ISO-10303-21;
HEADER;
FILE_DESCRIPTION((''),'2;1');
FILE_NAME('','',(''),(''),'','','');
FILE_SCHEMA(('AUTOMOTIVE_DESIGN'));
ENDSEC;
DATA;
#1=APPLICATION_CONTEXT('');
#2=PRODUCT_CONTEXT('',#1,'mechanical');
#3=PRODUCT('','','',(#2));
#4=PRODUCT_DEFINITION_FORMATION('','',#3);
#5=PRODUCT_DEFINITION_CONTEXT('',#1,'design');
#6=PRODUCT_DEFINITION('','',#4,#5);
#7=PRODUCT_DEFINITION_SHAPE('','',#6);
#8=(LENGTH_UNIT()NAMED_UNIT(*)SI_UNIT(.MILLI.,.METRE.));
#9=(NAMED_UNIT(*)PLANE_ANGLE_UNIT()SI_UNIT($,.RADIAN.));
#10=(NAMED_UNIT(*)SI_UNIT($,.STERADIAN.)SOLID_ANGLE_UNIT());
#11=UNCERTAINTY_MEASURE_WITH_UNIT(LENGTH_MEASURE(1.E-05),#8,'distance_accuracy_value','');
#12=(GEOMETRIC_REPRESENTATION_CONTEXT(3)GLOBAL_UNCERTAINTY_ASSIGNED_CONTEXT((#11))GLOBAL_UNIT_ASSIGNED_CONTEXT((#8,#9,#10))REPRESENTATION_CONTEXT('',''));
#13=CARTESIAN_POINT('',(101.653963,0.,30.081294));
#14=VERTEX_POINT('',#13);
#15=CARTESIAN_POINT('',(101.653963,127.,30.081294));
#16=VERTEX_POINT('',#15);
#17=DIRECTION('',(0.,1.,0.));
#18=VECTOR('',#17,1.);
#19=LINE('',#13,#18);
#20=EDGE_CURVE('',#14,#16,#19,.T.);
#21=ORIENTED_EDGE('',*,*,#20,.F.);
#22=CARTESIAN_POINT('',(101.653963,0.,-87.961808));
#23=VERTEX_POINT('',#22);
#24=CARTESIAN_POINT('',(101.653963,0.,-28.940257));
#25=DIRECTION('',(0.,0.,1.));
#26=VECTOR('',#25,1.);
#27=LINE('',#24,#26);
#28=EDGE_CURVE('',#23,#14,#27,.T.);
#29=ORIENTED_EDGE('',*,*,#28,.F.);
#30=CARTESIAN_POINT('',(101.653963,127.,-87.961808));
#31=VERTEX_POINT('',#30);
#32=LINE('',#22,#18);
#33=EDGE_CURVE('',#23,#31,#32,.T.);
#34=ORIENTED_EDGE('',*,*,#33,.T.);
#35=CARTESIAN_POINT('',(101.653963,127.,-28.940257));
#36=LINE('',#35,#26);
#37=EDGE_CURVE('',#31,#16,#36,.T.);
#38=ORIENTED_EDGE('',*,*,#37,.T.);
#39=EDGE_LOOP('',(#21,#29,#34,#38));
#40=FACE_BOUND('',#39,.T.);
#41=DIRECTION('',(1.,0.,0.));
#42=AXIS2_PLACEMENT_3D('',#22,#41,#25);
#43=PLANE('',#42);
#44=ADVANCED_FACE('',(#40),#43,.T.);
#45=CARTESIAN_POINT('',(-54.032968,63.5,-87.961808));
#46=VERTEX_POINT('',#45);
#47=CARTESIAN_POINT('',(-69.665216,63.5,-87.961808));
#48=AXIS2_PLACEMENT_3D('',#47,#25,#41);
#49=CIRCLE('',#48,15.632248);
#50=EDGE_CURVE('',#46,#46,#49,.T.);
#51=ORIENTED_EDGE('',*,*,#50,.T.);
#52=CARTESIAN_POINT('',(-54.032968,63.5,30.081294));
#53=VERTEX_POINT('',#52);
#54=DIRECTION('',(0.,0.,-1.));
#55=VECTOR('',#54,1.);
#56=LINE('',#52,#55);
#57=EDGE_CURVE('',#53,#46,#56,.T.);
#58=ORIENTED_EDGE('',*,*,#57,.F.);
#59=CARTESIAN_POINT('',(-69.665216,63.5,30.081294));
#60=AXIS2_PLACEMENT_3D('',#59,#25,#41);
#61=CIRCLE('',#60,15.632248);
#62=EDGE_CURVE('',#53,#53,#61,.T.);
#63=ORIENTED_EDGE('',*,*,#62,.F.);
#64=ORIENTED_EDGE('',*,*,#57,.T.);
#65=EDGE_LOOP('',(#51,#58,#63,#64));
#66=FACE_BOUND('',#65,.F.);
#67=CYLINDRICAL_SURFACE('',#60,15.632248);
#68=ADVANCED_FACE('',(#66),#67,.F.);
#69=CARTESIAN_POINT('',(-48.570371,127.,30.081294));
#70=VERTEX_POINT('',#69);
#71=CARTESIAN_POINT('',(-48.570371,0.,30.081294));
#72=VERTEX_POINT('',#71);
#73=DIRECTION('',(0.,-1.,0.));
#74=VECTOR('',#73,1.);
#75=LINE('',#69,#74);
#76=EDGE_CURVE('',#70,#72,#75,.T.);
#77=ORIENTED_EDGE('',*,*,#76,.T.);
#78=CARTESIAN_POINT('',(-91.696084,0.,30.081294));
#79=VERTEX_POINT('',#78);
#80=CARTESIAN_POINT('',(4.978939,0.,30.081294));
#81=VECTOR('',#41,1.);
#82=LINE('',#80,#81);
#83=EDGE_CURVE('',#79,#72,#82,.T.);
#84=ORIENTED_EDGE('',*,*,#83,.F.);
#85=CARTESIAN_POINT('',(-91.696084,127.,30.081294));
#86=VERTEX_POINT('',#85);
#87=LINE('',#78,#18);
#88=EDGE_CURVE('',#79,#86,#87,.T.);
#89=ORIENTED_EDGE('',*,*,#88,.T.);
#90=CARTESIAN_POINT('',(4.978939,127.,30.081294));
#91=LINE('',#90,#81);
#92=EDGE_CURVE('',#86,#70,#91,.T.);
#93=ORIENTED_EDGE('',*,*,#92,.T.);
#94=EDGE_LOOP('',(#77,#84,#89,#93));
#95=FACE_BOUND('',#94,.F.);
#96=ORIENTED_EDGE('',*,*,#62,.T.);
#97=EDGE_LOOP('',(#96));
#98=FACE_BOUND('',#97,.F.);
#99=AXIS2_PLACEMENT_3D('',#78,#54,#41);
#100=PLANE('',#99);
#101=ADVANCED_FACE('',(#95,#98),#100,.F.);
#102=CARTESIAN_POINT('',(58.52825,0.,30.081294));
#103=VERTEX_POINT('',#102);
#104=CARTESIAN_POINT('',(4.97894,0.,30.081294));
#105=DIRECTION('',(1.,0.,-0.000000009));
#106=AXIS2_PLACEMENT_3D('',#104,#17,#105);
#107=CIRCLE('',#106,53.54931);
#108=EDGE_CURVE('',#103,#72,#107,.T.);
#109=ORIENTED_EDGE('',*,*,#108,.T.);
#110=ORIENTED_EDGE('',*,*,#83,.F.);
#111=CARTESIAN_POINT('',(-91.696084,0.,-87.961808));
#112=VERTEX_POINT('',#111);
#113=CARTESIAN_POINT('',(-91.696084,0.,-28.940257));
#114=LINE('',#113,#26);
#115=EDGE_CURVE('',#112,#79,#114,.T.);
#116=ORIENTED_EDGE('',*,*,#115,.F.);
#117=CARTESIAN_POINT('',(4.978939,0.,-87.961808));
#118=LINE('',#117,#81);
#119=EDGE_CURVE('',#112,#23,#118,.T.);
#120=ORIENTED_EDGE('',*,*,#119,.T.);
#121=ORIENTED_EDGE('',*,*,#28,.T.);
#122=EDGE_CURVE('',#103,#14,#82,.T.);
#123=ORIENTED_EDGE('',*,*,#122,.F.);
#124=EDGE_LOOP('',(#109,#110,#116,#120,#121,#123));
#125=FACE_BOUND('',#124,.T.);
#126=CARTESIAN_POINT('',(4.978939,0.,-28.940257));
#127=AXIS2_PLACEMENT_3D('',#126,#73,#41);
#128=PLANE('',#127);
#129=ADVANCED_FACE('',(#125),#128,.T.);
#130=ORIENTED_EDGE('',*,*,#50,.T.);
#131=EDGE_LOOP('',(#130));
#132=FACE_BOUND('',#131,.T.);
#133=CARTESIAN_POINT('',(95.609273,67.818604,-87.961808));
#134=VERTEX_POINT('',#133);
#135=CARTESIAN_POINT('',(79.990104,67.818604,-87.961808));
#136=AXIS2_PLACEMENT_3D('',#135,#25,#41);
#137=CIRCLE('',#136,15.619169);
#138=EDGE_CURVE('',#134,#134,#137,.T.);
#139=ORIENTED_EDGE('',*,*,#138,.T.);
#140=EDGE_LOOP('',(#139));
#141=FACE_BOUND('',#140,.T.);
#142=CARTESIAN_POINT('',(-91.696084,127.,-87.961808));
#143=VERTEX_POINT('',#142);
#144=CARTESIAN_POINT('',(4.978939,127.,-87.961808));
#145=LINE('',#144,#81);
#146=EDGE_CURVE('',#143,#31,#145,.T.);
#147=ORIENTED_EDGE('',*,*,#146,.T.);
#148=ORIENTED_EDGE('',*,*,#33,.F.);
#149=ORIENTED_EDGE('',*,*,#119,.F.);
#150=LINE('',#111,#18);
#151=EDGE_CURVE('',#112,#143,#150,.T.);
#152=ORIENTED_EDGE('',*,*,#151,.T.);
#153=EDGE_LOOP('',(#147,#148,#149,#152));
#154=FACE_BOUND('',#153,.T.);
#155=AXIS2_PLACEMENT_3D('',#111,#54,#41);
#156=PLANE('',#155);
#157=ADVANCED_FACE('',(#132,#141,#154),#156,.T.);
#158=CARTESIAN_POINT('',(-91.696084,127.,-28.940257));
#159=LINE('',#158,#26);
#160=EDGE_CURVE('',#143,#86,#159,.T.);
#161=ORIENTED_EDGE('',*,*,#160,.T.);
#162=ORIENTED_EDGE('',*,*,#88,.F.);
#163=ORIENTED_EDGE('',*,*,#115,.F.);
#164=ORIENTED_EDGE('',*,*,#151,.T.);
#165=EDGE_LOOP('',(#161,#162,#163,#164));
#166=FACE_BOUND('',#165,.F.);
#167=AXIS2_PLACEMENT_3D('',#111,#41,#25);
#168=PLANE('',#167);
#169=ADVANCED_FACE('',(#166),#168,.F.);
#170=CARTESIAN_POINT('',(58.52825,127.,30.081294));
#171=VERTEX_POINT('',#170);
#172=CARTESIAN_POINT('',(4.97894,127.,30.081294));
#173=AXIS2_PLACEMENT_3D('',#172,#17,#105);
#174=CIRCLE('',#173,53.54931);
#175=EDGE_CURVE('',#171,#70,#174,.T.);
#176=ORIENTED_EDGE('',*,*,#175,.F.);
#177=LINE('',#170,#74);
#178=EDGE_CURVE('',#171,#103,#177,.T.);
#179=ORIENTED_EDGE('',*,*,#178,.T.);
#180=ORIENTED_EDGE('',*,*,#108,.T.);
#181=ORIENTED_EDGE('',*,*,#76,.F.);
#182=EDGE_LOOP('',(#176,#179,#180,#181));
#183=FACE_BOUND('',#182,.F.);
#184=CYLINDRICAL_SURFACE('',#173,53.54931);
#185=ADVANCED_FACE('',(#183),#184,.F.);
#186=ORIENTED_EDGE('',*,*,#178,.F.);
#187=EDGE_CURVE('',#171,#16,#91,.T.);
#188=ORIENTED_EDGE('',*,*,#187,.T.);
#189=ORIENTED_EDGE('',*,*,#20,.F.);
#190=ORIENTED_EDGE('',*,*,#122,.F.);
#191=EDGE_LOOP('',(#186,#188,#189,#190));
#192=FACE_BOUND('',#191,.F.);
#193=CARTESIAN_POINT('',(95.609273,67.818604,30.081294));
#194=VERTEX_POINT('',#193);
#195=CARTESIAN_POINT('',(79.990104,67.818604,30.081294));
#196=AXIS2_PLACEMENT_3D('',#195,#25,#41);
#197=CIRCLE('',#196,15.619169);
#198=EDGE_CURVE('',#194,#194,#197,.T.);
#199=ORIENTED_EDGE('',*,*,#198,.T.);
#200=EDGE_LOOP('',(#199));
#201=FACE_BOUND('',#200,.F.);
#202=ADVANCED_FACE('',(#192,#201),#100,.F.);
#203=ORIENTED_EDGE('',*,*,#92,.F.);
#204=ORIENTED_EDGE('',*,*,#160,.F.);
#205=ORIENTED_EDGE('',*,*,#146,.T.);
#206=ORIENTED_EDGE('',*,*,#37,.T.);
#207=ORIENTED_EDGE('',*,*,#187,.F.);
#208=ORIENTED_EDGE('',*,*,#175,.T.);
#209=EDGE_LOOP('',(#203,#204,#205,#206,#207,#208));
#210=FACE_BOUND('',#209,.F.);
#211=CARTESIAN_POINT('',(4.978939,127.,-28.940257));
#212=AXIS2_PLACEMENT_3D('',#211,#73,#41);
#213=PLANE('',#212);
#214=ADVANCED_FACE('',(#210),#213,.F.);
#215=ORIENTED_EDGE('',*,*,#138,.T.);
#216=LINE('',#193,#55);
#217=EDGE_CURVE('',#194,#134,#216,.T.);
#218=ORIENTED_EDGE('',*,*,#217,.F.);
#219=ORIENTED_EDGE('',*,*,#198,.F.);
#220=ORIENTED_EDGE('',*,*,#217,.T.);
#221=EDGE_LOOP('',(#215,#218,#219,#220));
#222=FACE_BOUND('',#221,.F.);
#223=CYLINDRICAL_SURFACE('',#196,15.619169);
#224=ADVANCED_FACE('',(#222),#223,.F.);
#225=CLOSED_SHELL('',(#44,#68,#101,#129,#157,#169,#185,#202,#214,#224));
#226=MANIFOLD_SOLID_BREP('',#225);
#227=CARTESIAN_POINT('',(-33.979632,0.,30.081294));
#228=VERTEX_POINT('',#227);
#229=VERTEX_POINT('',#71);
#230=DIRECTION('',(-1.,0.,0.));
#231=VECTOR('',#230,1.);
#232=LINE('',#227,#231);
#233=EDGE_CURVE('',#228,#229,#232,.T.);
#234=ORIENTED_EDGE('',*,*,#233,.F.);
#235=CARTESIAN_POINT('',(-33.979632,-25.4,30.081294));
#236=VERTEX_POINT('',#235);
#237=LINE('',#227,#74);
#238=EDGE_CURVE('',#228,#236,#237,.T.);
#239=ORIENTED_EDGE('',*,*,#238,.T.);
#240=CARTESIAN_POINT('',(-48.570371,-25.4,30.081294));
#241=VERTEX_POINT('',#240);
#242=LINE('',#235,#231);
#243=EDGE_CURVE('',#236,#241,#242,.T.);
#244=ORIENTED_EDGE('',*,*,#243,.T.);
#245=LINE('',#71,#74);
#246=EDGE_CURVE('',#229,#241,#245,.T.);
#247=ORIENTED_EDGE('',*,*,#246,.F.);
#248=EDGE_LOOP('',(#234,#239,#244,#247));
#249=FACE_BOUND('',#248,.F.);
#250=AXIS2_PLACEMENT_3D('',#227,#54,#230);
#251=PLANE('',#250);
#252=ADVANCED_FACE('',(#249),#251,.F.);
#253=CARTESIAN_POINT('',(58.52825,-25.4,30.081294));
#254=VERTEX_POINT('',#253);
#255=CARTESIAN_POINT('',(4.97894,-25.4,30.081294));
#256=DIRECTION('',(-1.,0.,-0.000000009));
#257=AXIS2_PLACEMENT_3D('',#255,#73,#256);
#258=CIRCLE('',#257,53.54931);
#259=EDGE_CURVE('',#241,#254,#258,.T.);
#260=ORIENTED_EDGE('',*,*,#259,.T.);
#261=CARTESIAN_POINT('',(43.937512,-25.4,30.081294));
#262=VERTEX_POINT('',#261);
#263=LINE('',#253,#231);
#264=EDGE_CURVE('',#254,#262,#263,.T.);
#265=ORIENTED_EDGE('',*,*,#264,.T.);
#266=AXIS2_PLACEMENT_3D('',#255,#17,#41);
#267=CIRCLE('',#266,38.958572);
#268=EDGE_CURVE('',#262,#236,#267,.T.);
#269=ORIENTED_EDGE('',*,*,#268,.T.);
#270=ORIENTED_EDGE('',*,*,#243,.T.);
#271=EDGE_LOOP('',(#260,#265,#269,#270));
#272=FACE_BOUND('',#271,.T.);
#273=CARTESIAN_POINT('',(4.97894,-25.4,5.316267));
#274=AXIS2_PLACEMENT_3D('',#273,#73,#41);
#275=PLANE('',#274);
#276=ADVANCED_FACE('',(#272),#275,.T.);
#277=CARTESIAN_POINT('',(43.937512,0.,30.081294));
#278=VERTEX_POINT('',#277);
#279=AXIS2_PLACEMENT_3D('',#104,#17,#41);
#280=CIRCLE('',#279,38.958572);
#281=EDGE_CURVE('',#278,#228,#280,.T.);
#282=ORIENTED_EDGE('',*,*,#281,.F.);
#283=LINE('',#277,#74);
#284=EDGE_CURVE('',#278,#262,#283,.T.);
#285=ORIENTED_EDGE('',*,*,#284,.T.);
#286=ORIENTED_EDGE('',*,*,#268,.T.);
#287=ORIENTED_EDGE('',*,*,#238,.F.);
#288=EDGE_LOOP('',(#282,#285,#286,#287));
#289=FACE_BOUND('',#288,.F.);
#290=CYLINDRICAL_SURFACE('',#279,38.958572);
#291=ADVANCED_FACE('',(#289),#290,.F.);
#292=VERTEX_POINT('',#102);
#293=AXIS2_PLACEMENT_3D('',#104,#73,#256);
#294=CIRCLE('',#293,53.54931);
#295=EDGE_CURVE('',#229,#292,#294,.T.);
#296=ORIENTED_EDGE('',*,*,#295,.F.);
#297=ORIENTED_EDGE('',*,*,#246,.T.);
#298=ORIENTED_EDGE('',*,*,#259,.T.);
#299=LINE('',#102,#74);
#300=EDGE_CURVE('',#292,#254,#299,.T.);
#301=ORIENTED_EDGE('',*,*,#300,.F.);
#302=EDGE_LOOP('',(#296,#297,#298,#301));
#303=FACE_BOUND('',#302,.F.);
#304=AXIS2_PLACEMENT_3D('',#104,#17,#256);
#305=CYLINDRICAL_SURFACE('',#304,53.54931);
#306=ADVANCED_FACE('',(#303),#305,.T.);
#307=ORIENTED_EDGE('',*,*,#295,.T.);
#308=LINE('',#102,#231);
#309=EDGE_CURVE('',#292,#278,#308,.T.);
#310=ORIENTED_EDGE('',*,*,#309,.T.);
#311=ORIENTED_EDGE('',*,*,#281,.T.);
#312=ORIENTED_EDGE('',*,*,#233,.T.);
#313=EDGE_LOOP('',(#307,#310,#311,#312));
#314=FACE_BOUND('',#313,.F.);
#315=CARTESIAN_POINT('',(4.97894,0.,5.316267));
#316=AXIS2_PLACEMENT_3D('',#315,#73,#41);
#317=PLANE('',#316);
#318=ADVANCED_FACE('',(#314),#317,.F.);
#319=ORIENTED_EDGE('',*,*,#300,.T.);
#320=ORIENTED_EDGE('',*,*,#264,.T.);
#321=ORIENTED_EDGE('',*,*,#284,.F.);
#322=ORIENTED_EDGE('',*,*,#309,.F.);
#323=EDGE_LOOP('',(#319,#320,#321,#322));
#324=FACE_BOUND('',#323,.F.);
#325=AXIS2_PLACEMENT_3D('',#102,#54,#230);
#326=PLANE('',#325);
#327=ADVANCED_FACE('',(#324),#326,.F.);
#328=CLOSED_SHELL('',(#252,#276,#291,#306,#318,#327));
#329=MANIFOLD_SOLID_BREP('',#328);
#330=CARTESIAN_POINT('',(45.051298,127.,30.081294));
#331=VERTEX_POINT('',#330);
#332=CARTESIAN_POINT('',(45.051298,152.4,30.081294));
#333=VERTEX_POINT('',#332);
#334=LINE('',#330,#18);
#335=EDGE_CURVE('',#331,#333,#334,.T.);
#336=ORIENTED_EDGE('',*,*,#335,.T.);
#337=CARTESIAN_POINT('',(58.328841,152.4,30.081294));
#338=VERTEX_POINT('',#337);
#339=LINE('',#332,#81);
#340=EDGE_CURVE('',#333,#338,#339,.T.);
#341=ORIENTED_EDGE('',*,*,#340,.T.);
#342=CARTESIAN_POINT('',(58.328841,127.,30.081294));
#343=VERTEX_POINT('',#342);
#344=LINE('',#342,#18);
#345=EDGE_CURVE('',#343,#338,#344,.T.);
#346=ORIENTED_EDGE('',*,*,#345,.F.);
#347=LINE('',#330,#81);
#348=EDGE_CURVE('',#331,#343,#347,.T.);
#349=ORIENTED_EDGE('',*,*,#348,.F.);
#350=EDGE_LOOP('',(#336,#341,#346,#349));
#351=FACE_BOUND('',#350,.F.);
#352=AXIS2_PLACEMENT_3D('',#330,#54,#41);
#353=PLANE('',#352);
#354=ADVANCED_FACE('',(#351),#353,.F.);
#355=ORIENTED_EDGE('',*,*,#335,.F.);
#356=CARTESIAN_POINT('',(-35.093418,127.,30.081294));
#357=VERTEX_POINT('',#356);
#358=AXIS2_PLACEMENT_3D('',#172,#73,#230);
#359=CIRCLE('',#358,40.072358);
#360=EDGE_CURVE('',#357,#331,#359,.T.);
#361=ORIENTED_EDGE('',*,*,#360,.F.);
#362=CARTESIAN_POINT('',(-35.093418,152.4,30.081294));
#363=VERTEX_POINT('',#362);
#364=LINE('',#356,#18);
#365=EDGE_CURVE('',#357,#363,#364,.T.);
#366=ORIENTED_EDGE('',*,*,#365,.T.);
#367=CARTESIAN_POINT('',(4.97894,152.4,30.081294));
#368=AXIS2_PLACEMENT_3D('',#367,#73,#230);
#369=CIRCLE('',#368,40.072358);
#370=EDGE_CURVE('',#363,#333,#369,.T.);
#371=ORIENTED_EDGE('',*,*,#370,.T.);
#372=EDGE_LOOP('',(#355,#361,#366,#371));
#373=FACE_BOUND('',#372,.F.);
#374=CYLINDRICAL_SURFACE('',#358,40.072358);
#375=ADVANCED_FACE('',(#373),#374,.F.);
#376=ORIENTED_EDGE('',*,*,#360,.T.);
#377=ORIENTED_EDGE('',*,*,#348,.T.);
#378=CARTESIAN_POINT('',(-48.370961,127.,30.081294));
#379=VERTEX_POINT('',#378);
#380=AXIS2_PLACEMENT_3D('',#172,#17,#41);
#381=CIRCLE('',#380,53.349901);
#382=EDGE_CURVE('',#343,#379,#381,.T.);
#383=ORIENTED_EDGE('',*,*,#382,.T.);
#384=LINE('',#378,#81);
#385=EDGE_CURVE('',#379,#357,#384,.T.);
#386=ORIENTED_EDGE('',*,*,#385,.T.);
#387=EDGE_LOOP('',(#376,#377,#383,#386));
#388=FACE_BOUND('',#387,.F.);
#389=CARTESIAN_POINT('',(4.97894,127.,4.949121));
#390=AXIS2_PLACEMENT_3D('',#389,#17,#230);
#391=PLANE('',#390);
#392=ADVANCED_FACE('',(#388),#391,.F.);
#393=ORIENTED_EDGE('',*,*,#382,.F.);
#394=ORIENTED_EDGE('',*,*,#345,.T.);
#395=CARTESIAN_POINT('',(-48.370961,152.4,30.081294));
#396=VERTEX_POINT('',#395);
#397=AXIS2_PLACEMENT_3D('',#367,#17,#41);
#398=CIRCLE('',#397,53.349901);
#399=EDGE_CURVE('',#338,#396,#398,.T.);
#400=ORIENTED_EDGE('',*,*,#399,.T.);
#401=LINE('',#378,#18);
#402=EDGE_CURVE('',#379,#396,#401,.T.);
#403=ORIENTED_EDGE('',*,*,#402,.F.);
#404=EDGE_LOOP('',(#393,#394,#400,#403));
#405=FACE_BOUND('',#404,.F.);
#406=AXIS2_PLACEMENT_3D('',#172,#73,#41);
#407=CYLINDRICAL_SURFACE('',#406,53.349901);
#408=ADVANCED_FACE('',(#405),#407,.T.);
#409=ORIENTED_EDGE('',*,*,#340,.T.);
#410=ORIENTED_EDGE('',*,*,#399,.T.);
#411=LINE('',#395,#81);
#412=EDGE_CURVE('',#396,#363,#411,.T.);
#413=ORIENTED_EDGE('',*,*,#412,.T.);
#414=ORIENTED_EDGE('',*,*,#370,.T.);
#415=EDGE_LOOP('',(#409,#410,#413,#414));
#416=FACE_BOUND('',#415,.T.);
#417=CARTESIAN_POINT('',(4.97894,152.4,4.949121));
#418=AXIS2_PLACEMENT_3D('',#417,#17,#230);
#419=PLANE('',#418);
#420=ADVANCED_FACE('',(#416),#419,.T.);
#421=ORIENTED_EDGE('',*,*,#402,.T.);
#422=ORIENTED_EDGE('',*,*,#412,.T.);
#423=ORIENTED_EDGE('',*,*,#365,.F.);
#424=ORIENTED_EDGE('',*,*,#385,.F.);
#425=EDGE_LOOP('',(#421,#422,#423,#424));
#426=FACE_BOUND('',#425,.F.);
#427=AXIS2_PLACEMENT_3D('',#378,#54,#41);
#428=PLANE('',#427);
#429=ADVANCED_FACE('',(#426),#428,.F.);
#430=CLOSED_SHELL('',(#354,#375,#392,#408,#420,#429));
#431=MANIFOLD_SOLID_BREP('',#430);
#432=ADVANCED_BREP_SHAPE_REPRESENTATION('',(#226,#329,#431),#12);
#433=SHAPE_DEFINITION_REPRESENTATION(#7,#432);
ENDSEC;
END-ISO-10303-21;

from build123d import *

# Parameters (mm, degrees)
F0_W     = 193.350047
F0_H     = 118.043102
F1_DEPTH = 127
F3_DEPTH = 127
F5_DEPTH = 25.4
F7_DEPTH = 25.4
F8_R     = 15.632248
F8_R_2   = 15.619169
F9_DEPTH = 254


with BuildPart() as f1:
    # F0 (on Front) → F1 (new body)
    with BuildSketch(Plane.XZ):
        with Locations((4.978939, -28.940257)):
            Rectangle(F0_W, F0_H)
    extrude(amount=-F1_DEPTH)

    # F2 (on face) → F3 (cut)
    with BuildSketch(Plane(origin=(0, 127, 0), x_dir=(-1, 0, 0), z_dir=(0, 1, 0))):
        with BuildLine():
            Line((48.570371, 30.081294), (-58.52825, 30.081294))
            ThreePointArc((-58.52825, 30.081294), (-4.97894, -23.468016), (48.570371, 30.081294))
        make_face()
    extrude(amount=-F3_DEPTH, mode=Mode.SUBTRACT)

    # F8 (on face) → F9 (cut)
    with BuildSketch(Plane.XY.offset(30.081294)):
        with Locations((-69.665216, 63.5)):
            Circle(F8_R)
        with Locations((79.990104, 67.818604)):
            Circle(F8_R_2)
    extrude(amount=-F9_DEPTH, mode=Mode.SUBTRACT)


with BuildPart() as f5:
    # F4 (on face) → F5 (new body)
    with BuildSketch(Plane(origin=(0, 127, 0), x_dir=(-1, 0, 0), z_dir=(0, 1, 0))):
        with BuildLine():
            Line((-45.051298, 30.081294), (-58.328841, 30.081294))
            ThreePointArc((-58.328841, 30.081294), (-4.97894, -23.268607), (48.370961, 30.081294))
            Line((48.370961, 30.081294), (35.093418, 30.081294))
            ThreePointArc((35.093418, 30.081294), (-4.97894, -9.991064), (-45.051298, 30.081294))
        make_face()
    extrude(amount=F5_DEPTH)


with BuildPart() as f7:
    # F6 (on face) → F7 (new body)
    with BuildSketch(Plane.XZ):
        with BuildLine():
            ThreePointArc((43.937512, 30.081294), (4.97894, -8.877278), (-33.979632, 30.081294))
            Line((-33.979632, 30.081294), (-48.570371, 30.081294))
            ThreePointArc((-48.570371, 30.081294), (4.97894, -23.468016), (58.52825, 30.081294))
            Line((58.52825, 30.081294), (43.937512, 30.081294))
        make_face()
    extrude(amount=F7_DEPTH)


solid = Compound([f1.part, f5.part, f7.part])
